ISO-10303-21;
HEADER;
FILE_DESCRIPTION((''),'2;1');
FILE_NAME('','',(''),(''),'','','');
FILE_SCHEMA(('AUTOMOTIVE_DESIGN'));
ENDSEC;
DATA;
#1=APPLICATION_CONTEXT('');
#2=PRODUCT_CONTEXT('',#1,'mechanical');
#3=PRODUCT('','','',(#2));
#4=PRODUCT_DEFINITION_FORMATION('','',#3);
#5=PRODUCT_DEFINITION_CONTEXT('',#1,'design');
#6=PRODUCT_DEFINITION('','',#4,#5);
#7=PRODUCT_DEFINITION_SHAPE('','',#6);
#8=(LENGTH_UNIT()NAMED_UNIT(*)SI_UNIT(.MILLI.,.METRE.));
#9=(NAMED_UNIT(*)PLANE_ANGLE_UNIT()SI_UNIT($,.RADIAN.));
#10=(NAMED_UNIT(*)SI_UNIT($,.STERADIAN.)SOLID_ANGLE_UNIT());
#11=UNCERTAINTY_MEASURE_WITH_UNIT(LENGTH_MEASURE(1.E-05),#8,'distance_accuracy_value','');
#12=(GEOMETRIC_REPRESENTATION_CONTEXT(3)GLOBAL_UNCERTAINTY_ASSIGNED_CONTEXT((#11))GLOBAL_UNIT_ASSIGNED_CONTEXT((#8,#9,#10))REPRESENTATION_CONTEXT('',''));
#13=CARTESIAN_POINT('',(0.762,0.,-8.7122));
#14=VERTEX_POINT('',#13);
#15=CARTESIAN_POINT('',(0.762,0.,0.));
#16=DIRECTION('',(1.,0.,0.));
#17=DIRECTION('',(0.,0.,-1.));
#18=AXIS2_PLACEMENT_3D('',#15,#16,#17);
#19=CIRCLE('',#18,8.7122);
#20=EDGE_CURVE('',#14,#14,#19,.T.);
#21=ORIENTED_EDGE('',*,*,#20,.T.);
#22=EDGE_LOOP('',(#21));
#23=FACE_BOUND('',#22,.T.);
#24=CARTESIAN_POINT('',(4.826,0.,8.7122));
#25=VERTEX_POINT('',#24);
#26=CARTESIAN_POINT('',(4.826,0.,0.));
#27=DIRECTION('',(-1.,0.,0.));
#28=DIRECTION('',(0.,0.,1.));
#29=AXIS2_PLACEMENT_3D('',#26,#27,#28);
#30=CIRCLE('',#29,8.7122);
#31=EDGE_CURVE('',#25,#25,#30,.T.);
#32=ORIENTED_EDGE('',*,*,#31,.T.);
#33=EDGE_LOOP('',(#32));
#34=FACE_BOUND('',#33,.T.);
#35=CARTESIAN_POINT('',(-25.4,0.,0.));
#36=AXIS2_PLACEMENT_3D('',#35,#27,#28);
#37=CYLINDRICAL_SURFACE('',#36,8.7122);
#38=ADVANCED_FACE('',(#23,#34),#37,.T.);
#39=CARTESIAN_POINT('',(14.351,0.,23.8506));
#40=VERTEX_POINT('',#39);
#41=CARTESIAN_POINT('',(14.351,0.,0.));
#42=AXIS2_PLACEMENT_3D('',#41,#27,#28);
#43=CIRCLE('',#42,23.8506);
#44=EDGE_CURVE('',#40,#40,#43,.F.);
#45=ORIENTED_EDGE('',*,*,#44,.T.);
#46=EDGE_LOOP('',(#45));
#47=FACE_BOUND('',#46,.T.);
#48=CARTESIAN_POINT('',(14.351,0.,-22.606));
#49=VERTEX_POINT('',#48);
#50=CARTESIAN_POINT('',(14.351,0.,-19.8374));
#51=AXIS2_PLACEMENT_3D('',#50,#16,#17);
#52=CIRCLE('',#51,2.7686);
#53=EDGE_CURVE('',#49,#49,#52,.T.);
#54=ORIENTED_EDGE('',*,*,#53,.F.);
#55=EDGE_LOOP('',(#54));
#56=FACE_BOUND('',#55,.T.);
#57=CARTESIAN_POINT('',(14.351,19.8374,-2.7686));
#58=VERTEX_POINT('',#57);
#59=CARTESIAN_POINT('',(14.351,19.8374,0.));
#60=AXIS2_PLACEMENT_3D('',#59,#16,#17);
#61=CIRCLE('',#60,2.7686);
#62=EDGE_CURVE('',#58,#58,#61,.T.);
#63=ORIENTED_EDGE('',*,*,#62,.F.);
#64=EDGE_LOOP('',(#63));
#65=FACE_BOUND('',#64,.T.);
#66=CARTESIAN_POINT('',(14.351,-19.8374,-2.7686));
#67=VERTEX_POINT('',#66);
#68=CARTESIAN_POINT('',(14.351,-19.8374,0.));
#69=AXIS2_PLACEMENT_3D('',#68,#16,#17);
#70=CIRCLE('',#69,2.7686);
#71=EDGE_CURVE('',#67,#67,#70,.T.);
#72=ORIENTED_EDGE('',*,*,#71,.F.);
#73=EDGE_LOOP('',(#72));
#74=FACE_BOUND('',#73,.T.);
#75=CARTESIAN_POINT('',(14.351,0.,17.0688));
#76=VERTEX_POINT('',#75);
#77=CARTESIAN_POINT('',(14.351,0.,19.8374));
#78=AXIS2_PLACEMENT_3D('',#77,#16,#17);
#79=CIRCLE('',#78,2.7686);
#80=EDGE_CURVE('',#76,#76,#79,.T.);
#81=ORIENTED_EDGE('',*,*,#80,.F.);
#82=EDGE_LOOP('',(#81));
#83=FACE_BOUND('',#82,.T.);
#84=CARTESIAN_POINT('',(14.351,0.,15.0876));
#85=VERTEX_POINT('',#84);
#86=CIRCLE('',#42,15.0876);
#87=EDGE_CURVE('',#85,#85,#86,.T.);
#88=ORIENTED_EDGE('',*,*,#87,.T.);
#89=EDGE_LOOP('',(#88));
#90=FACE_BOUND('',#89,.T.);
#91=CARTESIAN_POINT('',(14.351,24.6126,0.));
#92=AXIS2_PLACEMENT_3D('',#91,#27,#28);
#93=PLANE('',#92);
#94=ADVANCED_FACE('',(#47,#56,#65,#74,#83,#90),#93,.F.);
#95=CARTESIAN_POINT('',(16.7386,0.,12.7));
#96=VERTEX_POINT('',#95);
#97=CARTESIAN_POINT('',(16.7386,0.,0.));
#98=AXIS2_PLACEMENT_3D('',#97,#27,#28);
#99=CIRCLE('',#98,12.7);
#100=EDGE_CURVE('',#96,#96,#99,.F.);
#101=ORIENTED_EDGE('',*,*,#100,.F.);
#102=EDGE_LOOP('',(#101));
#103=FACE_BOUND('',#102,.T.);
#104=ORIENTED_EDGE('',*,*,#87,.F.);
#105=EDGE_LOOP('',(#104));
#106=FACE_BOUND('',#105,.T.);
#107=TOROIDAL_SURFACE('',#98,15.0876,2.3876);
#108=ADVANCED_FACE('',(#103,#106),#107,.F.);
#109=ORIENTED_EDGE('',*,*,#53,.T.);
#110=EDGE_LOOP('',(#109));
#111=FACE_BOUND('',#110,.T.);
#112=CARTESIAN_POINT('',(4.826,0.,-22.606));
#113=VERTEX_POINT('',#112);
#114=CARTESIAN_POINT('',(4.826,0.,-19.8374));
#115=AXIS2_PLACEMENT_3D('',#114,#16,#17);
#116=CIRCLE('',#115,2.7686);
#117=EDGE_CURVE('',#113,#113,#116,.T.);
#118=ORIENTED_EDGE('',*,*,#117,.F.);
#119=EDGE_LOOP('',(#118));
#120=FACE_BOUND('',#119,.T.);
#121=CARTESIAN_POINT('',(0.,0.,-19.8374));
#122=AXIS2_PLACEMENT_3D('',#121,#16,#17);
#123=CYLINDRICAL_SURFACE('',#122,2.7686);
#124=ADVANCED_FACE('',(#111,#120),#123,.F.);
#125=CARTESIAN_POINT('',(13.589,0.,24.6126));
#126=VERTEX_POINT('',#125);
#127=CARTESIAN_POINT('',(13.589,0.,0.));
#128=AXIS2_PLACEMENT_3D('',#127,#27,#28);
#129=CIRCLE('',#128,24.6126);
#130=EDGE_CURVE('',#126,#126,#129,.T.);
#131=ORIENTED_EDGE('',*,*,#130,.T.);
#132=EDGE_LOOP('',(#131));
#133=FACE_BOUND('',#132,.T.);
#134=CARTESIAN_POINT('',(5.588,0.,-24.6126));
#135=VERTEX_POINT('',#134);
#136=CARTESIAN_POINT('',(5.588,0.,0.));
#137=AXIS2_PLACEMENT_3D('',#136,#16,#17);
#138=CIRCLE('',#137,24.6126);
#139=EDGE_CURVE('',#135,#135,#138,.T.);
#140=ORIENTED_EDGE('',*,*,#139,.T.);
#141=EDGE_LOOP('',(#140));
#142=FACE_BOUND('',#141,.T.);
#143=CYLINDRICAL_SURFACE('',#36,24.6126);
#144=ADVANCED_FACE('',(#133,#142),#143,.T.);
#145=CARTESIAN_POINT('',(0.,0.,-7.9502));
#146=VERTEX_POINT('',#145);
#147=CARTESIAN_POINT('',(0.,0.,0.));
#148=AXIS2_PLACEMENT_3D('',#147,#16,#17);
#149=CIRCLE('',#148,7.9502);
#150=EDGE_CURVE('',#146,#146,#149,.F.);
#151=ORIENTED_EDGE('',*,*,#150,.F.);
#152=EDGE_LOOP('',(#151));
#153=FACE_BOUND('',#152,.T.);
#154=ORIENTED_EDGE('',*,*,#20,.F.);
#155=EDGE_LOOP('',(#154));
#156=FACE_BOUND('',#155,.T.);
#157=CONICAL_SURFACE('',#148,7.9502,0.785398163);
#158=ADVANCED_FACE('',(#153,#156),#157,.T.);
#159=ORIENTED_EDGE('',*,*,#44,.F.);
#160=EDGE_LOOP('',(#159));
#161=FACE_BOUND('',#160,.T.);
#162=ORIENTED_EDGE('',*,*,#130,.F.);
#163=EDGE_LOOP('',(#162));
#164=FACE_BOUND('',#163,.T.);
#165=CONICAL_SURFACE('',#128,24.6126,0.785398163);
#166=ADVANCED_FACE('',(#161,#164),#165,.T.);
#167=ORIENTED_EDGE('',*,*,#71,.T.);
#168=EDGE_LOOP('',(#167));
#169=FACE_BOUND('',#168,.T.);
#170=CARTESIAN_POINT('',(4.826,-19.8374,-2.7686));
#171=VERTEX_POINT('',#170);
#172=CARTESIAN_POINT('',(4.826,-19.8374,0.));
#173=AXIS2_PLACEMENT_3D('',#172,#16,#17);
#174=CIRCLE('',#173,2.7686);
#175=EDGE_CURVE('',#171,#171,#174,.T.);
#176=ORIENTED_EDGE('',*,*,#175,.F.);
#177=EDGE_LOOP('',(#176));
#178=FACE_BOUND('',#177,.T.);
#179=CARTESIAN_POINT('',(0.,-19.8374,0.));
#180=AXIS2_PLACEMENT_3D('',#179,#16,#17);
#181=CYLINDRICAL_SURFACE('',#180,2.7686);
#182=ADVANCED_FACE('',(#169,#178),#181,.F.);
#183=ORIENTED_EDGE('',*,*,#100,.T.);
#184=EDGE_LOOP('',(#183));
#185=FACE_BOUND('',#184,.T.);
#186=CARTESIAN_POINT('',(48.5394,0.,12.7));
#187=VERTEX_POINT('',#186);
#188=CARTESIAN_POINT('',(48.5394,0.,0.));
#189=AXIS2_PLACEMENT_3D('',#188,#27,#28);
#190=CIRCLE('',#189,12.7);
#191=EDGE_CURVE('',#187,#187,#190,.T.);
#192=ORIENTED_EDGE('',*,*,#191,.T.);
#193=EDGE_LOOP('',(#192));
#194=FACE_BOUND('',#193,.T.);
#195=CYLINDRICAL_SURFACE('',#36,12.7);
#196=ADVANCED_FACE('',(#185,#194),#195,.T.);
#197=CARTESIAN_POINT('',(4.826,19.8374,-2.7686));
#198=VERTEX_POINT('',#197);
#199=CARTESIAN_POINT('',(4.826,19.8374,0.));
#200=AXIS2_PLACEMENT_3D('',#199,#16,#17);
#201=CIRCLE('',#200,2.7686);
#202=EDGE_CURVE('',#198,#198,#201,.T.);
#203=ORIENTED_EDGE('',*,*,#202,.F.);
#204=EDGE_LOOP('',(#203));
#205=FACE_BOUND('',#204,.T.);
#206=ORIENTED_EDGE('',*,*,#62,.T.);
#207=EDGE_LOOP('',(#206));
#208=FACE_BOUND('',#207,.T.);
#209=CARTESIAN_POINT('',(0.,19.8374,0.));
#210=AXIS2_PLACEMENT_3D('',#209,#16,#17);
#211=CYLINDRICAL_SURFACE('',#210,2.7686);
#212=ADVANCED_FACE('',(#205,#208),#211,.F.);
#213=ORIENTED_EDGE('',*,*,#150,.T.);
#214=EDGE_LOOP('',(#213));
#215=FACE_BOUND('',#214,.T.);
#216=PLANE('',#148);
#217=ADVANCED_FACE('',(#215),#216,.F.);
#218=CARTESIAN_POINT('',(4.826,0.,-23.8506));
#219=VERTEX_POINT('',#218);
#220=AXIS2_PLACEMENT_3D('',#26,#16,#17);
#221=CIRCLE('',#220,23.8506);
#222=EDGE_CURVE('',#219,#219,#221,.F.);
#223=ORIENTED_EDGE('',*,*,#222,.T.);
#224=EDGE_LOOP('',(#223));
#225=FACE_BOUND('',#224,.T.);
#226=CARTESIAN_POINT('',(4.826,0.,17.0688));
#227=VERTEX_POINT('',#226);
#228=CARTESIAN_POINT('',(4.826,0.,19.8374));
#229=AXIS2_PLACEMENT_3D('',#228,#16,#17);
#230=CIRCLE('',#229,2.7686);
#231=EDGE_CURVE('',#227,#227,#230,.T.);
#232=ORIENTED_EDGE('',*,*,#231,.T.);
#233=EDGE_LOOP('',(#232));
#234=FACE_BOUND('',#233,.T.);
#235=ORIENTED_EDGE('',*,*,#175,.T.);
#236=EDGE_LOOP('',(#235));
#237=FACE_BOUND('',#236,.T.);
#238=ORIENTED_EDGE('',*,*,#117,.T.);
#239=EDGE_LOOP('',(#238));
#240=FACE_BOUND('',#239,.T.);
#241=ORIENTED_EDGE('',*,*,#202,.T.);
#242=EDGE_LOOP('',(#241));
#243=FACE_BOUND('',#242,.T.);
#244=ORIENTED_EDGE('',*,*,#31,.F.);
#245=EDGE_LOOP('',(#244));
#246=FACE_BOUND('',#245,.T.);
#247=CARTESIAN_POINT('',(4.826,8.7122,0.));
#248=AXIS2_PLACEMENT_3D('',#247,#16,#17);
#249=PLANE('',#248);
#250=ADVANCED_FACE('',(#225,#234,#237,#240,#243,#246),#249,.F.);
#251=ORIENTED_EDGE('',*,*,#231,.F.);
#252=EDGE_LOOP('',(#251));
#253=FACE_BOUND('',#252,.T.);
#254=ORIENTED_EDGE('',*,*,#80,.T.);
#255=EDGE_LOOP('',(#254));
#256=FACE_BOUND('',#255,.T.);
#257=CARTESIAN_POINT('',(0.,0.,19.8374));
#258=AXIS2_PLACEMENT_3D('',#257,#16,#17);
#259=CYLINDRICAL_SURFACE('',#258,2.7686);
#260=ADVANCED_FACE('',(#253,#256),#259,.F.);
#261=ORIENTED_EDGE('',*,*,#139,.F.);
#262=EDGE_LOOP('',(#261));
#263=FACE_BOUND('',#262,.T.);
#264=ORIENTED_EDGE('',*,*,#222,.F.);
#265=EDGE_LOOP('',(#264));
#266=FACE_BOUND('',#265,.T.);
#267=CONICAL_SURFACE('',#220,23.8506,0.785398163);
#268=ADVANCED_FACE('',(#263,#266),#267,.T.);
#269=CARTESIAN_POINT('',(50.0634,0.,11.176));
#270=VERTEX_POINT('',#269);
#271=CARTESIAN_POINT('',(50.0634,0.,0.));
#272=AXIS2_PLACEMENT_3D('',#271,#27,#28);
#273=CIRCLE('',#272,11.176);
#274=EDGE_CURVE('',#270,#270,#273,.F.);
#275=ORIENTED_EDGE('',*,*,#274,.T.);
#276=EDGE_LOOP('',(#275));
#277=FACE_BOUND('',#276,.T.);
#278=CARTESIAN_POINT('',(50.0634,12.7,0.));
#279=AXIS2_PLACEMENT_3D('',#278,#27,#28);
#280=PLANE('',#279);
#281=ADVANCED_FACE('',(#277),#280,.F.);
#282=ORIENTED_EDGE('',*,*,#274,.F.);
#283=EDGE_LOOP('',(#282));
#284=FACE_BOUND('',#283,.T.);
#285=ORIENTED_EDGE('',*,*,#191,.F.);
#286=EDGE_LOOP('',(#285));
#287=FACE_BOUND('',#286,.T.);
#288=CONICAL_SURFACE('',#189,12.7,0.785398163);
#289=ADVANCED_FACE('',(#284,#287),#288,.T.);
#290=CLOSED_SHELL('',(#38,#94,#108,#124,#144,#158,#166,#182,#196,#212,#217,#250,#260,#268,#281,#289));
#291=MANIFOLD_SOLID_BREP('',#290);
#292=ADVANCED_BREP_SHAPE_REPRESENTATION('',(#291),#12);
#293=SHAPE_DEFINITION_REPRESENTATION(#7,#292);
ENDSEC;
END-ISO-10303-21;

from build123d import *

# Parameters (mm, degrees)
FILLET1_R          = 2.3876
CHAMFER1_SIZE      = 0.762
CHAMFER2_SIZE      = 1.524
CUT_EXTRUDE2_START = 14.351
SKETCH2_R          = 2.7686
CUT_EXTRUDE2_DEPTH = 76.325619122
CUT_EXTRUDE4_START = 14.351
SKETCH3_R          = 2.7686
CUT_EXTRUDE4_DEPTH = 76.325619122


with BuildPart() as part:
    # Sketch1 → Revolve1 (revolve)
    with BuildSketch(Plane(origin=(0, 0, 0), x_dir=(0, 1, 0), z_dir=(0, 0, 1)), mode=Mode.PRIVATE) as revolve1_sk:
        Polygon((0, 0), (8.7122, 0), (8.7122, -4.826), (24.6126, -4.826), (24.6126, -14.351), (12.7, -14.351), (12.7, -50.0634), (0, -50.0634), align=None)
    revolve(revolve1_sk.sketch.rotate(Axis((-25.4, 0, 0), (1, 0, 0)), 90), axis=Axis((-25.4, 0, 0), (1, 0, 0)))

    # Fillet1
    fillet1_edges = [part.edges().sort_by_distance(p)[0] for p in [
        (14.351, 0, -12.7),
    ]]
    fillet(fillet1_edges, radius=FILLET1_R)

    # Chamfer1
    chamfer1_edges = [part.edges().sort_by_distance(p)[0] for p in [
        (14.351, 0, -24.6126),
        (4.826, 0, -24.6126),
        (0, 0, -8.7122),
    ]]
    chamfer(chamfer1_edges, length=CHAMFER1_SIZE)

    # Chamfer2
    chamfer2_edges = [part.edges().sort_by_distance(p)[0] for p in [
        (50.0634, 0, -12.7),
    ]]
    chamfer(chamfer2_edges, length=CHAMFER2_SIZE)

    # Sketch2 → Cut-Extrude2 (cut, through all)
    with BuildSketch(Plane.YZ.offset(CUT_EXTRUDE2_START)):
        with Locations(Location((19.8374, 0, 0), (0, 0, 270))):
            Circle(SKETCH2_R)
    extrude(amount=-CUT_EXTRUDE2_DEPTH, mode=Mode.SUBTRACT)

    # Sketch3 → Cut-Extrude4 (cut, through all)
    with BuildSketch(Plane.YZ.offset(CUT_EXTRUDE4_START)):
        with Locations(Location((0, 19.8374, 0), (0, 0, 270))):
            Circle(SKETCH3_R)
        with Locations(Location((-19.8374, 0, 0), (0, 0, 270))):
            Circle(SKETCH3_R)
        with Locations(Location((0, -19.8374, 0), (0, 0, 270))):
            Circle(SKETCH3_R)
    extrude(amount=-CUT_EXTRUDE4_DEPTH, mode=Mode.SUBTRACT)


solid = part.part
